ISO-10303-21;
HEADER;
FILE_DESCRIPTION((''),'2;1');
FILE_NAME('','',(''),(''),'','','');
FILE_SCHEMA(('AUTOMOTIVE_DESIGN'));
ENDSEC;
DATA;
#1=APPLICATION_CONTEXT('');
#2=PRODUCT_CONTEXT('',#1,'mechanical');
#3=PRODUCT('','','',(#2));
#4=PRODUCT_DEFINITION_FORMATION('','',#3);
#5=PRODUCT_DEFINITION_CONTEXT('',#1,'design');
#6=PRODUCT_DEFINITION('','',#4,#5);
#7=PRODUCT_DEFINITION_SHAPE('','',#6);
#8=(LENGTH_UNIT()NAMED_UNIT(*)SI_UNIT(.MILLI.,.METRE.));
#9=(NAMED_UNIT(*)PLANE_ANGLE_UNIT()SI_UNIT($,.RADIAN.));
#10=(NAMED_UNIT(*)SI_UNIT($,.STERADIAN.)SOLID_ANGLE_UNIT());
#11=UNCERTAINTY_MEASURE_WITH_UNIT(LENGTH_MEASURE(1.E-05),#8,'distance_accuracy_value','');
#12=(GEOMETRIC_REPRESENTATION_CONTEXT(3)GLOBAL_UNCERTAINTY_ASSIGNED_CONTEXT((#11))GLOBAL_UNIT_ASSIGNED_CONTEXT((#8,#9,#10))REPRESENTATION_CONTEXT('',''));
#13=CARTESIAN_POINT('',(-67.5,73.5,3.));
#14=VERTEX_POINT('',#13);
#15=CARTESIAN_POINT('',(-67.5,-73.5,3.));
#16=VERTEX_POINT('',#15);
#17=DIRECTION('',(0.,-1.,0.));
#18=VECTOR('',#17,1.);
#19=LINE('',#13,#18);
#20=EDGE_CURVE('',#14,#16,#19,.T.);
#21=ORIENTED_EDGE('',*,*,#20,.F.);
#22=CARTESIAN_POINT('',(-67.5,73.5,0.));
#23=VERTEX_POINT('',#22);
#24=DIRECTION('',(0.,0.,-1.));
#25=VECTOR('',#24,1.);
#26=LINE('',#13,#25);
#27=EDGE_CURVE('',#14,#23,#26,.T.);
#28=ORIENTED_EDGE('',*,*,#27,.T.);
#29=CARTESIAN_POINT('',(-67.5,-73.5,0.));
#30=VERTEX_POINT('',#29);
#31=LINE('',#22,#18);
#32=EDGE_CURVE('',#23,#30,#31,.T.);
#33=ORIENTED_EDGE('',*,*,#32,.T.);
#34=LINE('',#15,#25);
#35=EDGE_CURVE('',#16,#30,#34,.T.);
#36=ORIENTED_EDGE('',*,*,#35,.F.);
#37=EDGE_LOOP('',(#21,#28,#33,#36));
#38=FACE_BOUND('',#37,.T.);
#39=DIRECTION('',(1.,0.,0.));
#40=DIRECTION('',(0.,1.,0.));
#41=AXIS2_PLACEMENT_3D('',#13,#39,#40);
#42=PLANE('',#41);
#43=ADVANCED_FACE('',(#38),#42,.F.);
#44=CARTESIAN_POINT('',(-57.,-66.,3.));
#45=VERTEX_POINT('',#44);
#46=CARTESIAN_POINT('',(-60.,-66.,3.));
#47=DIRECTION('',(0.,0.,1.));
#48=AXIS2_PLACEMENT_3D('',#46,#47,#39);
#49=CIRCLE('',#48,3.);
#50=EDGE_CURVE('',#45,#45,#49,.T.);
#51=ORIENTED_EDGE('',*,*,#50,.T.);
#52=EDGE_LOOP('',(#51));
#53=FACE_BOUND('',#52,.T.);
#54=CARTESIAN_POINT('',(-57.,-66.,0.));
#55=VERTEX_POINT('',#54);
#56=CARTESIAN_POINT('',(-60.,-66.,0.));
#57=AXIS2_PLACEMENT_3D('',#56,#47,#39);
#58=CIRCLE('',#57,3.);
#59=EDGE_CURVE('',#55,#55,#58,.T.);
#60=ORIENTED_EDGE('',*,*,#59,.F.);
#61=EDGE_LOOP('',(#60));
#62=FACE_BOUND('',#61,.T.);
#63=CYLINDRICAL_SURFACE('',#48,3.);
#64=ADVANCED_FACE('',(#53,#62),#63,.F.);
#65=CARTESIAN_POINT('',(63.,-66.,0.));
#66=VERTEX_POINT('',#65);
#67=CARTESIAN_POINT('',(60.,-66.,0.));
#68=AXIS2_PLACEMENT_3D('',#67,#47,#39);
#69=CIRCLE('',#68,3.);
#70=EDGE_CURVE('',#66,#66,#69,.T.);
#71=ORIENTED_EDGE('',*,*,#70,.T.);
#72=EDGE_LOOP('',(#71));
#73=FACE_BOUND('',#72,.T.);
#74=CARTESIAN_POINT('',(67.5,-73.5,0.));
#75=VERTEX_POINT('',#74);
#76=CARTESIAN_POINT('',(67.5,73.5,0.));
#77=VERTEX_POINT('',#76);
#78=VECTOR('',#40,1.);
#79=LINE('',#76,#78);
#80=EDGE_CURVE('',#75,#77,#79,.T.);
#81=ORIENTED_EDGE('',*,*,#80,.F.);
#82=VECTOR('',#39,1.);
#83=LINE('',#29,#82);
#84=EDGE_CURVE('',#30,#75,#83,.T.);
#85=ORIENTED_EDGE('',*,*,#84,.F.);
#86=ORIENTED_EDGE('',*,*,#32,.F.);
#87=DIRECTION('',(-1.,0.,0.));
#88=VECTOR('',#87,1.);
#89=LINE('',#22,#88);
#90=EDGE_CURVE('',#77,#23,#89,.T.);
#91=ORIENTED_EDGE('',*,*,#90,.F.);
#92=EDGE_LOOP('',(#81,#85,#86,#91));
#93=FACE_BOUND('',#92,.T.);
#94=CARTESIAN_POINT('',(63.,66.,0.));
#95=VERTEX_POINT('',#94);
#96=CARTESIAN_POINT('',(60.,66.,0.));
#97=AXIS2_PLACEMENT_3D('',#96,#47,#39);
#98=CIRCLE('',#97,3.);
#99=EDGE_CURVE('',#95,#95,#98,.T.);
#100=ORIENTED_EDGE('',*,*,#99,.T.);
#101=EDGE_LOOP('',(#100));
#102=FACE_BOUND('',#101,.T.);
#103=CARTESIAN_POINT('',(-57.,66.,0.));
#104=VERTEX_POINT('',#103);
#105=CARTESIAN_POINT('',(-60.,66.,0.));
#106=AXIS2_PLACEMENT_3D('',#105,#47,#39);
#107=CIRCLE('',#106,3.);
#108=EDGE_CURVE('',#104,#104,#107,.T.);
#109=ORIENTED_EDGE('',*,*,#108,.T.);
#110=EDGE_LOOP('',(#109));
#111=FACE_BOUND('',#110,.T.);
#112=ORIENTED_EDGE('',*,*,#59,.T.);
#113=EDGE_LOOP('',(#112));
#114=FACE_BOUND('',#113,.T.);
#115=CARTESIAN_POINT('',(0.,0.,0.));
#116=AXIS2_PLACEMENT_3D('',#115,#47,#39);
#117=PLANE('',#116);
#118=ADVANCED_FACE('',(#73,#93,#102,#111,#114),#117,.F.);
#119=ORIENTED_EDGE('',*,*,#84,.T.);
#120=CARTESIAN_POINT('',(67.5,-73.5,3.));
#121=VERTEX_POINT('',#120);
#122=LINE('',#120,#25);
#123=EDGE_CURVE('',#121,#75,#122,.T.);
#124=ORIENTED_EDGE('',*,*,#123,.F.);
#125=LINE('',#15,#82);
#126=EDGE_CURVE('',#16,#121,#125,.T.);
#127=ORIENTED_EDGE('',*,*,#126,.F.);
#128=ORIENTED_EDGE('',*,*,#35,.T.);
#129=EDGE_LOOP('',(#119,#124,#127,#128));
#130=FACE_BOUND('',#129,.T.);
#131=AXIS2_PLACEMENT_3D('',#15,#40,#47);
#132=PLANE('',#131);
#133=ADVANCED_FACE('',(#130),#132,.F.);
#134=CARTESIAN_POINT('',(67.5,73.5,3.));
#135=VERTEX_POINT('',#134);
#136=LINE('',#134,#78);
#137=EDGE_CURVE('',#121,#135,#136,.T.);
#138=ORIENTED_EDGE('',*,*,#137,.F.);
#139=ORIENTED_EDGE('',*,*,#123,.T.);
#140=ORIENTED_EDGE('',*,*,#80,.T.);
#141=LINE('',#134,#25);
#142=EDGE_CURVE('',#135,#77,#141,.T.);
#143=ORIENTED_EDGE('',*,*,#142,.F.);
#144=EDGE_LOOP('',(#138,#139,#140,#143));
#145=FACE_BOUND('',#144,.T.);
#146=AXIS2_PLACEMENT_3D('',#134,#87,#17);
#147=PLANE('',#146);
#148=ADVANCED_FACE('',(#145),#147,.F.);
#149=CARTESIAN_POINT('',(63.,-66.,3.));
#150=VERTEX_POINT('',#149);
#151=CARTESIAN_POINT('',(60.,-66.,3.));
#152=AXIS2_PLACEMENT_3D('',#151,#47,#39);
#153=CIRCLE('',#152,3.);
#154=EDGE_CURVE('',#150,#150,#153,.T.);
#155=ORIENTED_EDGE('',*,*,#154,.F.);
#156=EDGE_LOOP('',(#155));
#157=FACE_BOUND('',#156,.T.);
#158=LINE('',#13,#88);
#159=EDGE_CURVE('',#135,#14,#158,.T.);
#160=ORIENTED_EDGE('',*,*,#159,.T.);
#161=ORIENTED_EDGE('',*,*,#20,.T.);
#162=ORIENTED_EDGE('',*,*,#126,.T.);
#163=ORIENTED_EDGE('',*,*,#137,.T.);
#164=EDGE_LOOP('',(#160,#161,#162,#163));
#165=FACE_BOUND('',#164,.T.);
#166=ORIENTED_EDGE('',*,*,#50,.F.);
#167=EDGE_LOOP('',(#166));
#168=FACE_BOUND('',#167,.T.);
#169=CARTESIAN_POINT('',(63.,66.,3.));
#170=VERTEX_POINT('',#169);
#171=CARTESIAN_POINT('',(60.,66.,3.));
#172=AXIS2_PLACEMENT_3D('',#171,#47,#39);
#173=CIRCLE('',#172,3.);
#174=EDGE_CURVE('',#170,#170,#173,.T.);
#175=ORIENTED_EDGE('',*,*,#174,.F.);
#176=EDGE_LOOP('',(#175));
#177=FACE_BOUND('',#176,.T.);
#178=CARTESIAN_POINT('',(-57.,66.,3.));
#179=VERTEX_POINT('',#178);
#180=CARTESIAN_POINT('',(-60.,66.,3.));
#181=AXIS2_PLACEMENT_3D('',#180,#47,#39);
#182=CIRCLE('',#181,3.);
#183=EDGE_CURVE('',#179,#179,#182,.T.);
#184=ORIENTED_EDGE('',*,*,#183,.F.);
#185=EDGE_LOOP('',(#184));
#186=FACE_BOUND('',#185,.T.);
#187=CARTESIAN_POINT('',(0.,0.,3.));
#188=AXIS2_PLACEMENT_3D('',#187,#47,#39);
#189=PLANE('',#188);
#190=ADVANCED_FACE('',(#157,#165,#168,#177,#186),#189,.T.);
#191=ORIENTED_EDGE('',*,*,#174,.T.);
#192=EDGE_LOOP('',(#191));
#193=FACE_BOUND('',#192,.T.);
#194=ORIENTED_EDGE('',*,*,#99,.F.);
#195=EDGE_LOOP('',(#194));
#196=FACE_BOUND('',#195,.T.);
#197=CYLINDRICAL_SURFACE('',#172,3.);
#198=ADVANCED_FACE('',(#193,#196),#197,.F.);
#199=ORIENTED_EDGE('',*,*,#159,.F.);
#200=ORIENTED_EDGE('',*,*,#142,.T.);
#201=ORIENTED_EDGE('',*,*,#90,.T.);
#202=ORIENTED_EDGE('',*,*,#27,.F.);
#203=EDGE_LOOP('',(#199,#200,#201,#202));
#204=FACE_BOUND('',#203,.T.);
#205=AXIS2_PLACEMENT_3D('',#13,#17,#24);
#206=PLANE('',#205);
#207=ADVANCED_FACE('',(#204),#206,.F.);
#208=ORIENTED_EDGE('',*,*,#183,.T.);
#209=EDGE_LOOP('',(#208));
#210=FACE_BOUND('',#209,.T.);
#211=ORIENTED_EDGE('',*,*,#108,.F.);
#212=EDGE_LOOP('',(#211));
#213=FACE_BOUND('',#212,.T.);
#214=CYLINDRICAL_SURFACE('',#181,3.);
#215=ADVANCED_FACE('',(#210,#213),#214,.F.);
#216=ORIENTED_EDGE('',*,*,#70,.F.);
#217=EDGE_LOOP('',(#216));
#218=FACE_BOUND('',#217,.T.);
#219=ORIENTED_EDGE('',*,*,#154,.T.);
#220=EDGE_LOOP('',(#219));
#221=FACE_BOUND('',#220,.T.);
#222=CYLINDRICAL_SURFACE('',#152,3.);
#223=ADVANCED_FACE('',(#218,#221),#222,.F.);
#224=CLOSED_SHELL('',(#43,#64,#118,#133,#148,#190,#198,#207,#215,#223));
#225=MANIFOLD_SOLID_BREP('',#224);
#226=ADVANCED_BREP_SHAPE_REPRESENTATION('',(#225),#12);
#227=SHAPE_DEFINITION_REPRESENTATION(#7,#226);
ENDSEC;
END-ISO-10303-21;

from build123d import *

# Parameters (mm, degrees)
SKETCH1_W                = 135
SKETCH1_H                = 147
BOSS_EXTRUDE1_DEPTH      = 3
F_6_0_6_DIAMETER_HOLE1_D = 6


with BuildPart() as part:
    # Sketch1 → Boss-Extrude1 (new body)
    with BuildSketch(Plane.XY):
        Rectangle(SKETCH1_W, SKETCH1_H)
    extrude(amount=BOSS_EXTRUDE1_DEPTH)

    # Ø6.0 (6) Diameter Hole1 (through all)
    with Locations(Plane.XY.offset(3)):
        with Locations((60, -66), (-60, -66), (-60, 66), (60, 66)):
            Hole(F_6_0_6_DIAMETER_HOLE1_D / 2)


solid = part.part
